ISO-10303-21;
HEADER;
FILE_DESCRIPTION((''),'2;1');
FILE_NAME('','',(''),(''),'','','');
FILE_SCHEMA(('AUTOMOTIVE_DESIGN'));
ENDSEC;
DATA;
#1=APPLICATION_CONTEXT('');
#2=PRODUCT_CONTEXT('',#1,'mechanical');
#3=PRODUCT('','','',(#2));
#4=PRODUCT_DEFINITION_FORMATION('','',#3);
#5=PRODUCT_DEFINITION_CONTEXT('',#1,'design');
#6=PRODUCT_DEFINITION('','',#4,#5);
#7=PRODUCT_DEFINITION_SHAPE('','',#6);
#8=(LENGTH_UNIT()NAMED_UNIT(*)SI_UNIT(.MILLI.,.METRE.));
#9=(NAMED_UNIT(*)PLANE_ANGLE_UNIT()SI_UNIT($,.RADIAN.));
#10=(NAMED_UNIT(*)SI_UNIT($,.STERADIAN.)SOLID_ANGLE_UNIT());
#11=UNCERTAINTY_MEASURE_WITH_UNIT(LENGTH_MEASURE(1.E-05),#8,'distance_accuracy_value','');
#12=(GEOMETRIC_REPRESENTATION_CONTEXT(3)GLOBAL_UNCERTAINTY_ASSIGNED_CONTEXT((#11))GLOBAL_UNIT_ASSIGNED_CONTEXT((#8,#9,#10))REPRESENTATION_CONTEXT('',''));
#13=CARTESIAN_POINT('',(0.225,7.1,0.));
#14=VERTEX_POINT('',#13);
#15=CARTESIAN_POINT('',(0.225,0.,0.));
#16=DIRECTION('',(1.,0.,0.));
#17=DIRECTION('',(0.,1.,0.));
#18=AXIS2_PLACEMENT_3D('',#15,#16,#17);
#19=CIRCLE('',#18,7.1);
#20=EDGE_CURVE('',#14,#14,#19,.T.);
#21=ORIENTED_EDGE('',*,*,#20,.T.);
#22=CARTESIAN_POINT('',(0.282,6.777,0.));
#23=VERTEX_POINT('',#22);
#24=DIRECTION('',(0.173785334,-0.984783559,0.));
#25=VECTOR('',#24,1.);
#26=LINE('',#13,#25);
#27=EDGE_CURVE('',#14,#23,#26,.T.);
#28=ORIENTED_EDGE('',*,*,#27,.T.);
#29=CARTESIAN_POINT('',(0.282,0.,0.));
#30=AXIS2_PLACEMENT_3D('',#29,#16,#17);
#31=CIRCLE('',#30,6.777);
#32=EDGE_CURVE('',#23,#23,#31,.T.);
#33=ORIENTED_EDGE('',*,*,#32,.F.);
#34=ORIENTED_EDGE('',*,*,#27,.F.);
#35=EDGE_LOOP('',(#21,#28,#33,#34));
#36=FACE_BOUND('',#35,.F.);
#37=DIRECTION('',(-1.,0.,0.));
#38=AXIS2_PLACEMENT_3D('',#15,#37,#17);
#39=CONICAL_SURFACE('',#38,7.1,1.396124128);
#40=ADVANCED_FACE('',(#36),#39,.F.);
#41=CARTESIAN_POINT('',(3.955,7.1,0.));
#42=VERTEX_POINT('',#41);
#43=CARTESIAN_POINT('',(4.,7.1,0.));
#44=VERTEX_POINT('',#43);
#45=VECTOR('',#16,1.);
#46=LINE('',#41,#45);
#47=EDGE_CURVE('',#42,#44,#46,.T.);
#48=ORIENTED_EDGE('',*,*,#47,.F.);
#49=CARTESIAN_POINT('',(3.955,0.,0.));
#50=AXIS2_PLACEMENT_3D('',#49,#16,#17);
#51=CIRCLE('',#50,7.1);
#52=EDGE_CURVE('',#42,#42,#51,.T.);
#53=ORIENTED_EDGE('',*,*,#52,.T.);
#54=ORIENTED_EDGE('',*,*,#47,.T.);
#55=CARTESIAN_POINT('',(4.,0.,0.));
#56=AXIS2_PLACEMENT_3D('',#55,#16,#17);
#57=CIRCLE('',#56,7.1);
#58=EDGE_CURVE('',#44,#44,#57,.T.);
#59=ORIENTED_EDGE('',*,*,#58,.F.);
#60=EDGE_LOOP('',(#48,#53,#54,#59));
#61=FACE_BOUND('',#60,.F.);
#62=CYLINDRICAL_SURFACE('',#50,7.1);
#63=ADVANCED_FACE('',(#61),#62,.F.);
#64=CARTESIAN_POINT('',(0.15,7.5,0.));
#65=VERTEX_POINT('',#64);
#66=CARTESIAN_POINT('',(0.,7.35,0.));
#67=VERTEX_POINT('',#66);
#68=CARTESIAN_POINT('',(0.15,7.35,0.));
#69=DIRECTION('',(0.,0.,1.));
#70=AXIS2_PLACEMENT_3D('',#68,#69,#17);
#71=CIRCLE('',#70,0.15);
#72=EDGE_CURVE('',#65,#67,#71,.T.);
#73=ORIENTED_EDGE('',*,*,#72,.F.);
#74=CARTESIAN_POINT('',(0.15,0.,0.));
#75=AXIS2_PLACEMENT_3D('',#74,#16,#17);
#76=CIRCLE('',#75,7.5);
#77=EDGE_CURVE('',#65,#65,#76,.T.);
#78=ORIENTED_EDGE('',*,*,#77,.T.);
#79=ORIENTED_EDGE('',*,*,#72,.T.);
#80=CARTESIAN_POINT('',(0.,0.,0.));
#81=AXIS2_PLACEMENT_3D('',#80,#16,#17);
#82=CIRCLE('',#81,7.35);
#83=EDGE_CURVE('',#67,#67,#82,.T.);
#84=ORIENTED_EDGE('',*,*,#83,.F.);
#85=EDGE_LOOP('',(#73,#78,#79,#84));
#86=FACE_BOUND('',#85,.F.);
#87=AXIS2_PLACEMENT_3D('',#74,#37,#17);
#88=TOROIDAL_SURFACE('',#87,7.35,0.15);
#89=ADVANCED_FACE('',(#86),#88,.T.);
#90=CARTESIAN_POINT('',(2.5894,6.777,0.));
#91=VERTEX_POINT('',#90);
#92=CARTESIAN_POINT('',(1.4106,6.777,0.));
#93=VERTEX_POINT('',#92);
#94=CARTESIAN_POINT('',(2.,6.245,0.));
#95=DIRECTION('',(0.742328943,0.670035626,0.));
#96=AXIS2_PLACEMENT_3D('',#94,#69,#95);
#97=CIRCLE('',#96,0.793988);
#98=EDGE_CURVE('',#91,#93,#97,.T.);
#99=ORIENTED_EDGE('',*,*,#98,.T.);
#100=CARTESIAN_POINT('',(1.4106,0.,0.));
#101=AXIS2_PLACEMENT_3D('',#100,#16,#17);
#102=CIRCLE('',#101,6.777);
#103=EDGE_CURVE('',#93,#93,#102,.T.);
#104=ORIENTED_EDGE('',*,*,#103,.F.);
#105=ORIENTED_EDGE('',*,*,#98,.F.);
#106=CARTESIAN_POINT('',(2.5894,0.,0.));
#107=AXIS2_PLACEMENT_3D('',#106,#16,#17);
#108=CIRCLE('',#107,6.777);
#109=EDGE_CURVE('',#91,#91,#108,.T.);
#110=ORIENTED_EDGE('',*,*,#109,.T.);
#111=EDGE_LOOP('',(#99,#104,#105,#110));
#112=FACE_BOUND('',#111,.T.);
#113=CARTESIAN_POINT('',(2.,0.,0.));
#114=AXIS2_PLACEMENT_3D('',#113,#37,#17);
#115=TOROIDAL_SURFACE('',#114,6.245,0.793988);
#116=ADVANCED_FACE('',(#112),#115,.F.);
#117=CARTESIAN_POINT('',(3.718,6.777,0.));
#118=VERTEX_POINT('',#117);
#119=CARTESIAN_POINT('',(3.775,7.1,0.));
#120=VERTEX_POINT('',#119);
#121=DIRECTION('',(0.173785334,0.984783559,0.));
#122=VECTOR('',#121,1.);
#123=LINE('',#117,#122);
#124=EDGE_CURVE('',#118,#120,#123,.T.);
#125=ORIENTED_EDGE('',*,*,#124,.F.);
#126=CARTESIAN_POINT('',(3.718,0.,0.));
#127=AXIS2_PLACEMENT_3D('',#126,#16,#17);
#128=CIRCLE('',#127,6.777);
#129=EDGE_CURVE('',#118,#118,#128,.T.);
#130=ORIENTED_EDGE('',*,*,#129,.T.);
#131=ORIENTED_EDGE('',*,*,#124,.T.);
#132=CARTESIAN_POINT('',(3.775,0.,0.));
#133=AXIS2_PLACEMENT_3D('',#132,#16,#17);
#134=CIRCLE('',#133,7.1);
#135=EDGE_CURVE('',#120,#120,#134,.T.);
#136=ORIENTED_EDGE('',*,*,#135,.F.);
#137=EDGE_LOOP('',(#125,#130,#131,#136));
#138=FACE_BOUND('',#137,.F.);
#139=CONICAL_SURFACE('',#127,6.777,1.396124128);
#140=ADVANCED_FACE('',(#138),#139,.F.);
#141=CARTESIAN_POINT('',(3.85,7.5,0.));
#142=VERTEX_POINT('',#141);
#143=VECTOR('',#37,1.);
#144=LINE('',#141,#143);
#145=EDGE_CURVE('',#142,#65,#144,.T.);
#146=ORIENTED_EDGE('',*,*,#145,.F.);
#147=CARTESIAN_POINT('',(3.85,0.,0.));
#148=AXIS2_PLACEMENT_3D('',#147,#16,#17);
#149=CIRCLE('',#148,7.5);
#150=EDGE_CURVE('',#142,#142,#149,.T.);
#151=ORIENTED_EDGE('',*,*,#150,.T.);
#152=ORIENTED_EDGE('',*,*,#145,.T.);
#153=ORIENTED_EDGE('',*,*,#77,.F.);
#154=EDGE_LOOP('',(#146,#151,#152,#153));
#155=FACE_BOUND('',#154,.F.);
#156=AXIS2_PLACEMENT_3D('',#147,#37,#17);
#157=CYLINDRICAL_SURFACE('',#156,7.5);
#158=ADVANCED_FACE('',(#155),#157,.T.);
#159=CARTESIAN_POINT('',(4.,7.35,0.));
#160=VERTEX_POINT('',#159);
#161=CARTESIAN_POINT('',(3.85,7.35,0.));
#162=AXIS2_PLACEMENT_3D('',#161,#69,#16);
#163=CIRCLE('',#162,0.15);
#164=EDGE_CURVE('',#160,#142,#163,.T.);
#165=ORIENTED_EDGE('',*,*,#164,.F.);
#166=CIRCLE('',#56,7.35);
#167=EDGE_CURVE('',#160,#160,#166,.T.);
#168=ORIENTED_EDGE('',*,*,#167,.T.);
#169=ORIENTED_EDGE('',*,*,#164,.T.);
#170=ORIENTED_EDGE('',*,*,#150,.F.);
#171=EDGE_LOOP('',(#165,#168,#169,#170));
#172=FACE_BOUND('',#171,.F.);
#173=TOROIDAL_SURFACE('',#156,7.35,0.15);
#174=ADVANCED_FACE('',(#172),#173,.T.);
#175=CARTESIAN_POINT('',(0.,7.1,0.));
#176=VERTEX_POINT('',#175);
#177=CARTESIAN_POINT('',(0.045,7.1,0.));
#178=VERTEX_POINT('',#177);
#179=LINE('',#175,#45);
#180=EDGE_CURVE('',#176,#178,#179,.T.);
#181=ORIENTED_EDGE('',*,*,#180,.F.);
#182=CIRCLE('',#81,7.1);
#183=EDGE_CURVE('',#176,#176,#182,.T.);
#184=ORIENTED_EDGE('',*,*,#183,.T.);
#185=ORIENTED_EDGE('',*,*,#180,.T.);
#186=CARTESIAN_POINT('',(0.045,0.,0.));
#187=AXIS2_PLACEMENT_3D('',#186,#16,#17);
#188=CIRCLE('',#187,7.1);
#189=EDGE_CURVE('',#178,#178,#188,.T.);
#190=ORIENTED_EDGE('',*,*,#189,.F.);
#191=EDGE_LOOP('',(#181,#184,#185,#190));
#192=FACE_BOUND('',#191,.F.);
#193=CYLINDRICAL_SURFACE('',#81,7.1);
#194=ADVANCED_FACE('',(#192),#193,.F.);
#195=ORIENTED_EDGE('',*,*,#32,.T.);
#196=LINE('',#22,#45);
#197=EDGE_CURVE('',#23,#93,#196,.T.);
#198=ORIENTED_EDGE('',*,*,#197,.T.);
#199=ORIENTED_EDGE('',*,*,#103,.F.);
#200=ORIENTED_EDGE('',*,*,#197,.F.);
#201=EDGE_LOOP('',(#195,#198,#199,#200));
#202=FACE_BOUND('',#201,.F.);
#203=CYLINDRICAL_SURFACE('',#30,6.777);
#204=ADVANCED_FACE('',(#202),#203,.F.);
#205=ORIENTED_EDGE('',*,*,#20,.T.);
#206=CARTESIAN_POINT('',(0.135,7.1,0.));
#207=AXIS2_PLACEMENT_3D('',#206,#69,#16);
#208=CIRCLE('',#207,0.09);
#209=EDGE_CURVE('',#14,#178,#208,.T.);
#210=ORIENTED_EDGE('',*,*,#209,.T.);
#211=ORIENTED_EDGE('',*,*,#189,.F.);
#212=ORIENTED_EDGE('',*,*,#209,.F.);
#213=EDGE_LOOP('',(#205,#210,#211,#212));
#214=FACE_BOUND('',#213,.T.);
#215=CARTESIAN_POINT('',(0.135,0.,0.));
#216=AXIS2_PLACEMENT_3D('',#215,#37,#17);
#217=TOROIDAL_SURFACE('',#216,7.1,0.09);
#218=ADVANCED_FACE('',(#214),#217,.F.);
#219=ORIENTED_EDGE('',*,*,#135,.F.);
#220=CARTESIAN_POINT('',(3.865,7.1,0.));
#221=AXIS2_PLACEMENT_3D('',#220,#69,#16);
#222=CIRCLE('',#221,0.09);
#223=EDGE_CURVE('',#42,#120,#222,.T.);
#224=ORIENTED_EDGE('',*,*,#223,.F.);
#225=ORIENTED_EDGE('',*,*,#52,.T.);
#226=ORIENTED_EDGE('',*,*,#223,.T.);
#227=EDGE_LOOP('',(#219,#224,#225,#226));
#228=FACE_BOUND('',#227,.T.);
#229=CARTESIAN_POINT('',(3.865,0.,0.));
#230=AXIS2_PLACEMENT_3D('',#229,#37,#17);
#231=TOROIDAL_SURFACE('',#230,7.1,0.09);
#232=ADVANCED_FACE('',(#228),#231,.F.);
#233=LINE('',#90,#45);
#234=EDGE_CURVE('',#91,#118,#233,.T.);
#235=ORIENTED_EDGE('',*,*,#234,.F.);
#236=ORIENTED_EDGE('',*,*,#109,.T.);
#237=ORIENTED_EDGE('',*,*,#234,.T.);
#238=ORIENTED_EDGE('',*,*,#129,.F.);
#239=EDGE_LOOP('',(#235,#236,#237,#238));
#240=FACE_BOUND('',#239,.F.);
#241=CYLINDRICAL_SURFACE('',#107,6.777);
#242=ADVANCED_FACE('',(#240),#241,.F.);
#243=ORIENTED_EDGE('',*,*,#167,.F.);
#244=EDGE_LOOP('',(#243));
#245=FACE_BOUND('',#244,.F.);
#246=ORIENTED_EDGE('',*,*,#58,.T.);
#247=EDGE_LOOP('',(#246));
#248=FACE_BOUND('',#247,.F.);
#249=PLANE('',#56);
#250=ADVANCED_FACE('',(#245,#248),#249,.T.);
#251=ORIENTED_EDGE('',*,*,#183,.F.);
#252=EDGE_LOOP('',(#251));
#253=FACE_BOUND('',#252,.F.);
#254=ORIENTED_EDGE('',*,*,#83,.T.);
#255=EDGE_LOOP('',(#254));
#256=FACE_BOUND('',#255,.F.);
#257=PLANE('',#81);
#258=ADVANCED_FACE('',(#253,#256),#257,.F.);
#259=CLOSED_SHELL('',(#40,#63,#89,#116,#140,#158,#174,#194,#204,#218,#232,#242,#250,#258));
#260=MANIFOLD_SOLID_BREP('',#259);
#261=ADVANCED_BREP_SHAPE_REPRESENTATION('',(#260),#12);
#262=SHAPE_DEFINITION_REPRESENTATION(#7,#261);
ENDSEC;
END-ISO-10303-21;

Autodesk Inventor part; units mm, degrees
ref_plane "YZ Plane" through (0, 0, 0) normal (1, 0, 0) x (0, 1, 0)
ref_plane "XZ Plane" through (0, 0, 0) normal (0, 1, 0) x (-1, 0, 0)
ref_plane "XY Plane" through (0, 0, 0) normal (0, 0, 1) x (1, 0, 0)
sketch "Sketch_16" plane through (0, 0, 0) normal (0, 0, 1) x (1, 0, 0)
  line L0 (50, 0) -> (-50, 0)
  line L1 (0, 7.1) -> (0.045, 7.1)
  arc A0 (0.225, 7.1) -> (0.045, 7.1) centre (0.135, 7.1) ccw
  line L2 (0.225, 7.1) -> (0.282, 6.777)
  line L3 (0.282, 6.777) -> (1.4106, 6.777)
  arc A1 (2.5894, 6.777) -> (1.4106, 6.777) centre (2, 6.245) ccw
  line L4 (2.5894, 6.777) -> (3.718, 6.777)
  line L5 (3.718, 6.777) -> (3.775, 7.1)
  arc A2 (3.955, 7.1) -> (3.775, 7.1) centre (3.865, 7.1) ccw
  line L6 (3.955, 7.1) -> (4, 7.1)
  line L7 (4, 7.1) -> (4, 7.35)
  arc A3 (4, 7.35) -> (3.85, 7.5) centre (3.85, 7.35) ccw
  line L8 (3.85, 7.5) -> (0.15, 7.5)
  arc A4 (0.15, 7.5) -> (0, 7.35) centre (0.15, 7.35) ccw
  line L9 (0, 7.35) -> (0, 7.1)
revolve "Revolution1" add sketch "Sketch_16" angle 360 about axis through (50, 0, 0) along (1, 0, 0)
properties part number "W 61700 X-2RS1_PART2"
